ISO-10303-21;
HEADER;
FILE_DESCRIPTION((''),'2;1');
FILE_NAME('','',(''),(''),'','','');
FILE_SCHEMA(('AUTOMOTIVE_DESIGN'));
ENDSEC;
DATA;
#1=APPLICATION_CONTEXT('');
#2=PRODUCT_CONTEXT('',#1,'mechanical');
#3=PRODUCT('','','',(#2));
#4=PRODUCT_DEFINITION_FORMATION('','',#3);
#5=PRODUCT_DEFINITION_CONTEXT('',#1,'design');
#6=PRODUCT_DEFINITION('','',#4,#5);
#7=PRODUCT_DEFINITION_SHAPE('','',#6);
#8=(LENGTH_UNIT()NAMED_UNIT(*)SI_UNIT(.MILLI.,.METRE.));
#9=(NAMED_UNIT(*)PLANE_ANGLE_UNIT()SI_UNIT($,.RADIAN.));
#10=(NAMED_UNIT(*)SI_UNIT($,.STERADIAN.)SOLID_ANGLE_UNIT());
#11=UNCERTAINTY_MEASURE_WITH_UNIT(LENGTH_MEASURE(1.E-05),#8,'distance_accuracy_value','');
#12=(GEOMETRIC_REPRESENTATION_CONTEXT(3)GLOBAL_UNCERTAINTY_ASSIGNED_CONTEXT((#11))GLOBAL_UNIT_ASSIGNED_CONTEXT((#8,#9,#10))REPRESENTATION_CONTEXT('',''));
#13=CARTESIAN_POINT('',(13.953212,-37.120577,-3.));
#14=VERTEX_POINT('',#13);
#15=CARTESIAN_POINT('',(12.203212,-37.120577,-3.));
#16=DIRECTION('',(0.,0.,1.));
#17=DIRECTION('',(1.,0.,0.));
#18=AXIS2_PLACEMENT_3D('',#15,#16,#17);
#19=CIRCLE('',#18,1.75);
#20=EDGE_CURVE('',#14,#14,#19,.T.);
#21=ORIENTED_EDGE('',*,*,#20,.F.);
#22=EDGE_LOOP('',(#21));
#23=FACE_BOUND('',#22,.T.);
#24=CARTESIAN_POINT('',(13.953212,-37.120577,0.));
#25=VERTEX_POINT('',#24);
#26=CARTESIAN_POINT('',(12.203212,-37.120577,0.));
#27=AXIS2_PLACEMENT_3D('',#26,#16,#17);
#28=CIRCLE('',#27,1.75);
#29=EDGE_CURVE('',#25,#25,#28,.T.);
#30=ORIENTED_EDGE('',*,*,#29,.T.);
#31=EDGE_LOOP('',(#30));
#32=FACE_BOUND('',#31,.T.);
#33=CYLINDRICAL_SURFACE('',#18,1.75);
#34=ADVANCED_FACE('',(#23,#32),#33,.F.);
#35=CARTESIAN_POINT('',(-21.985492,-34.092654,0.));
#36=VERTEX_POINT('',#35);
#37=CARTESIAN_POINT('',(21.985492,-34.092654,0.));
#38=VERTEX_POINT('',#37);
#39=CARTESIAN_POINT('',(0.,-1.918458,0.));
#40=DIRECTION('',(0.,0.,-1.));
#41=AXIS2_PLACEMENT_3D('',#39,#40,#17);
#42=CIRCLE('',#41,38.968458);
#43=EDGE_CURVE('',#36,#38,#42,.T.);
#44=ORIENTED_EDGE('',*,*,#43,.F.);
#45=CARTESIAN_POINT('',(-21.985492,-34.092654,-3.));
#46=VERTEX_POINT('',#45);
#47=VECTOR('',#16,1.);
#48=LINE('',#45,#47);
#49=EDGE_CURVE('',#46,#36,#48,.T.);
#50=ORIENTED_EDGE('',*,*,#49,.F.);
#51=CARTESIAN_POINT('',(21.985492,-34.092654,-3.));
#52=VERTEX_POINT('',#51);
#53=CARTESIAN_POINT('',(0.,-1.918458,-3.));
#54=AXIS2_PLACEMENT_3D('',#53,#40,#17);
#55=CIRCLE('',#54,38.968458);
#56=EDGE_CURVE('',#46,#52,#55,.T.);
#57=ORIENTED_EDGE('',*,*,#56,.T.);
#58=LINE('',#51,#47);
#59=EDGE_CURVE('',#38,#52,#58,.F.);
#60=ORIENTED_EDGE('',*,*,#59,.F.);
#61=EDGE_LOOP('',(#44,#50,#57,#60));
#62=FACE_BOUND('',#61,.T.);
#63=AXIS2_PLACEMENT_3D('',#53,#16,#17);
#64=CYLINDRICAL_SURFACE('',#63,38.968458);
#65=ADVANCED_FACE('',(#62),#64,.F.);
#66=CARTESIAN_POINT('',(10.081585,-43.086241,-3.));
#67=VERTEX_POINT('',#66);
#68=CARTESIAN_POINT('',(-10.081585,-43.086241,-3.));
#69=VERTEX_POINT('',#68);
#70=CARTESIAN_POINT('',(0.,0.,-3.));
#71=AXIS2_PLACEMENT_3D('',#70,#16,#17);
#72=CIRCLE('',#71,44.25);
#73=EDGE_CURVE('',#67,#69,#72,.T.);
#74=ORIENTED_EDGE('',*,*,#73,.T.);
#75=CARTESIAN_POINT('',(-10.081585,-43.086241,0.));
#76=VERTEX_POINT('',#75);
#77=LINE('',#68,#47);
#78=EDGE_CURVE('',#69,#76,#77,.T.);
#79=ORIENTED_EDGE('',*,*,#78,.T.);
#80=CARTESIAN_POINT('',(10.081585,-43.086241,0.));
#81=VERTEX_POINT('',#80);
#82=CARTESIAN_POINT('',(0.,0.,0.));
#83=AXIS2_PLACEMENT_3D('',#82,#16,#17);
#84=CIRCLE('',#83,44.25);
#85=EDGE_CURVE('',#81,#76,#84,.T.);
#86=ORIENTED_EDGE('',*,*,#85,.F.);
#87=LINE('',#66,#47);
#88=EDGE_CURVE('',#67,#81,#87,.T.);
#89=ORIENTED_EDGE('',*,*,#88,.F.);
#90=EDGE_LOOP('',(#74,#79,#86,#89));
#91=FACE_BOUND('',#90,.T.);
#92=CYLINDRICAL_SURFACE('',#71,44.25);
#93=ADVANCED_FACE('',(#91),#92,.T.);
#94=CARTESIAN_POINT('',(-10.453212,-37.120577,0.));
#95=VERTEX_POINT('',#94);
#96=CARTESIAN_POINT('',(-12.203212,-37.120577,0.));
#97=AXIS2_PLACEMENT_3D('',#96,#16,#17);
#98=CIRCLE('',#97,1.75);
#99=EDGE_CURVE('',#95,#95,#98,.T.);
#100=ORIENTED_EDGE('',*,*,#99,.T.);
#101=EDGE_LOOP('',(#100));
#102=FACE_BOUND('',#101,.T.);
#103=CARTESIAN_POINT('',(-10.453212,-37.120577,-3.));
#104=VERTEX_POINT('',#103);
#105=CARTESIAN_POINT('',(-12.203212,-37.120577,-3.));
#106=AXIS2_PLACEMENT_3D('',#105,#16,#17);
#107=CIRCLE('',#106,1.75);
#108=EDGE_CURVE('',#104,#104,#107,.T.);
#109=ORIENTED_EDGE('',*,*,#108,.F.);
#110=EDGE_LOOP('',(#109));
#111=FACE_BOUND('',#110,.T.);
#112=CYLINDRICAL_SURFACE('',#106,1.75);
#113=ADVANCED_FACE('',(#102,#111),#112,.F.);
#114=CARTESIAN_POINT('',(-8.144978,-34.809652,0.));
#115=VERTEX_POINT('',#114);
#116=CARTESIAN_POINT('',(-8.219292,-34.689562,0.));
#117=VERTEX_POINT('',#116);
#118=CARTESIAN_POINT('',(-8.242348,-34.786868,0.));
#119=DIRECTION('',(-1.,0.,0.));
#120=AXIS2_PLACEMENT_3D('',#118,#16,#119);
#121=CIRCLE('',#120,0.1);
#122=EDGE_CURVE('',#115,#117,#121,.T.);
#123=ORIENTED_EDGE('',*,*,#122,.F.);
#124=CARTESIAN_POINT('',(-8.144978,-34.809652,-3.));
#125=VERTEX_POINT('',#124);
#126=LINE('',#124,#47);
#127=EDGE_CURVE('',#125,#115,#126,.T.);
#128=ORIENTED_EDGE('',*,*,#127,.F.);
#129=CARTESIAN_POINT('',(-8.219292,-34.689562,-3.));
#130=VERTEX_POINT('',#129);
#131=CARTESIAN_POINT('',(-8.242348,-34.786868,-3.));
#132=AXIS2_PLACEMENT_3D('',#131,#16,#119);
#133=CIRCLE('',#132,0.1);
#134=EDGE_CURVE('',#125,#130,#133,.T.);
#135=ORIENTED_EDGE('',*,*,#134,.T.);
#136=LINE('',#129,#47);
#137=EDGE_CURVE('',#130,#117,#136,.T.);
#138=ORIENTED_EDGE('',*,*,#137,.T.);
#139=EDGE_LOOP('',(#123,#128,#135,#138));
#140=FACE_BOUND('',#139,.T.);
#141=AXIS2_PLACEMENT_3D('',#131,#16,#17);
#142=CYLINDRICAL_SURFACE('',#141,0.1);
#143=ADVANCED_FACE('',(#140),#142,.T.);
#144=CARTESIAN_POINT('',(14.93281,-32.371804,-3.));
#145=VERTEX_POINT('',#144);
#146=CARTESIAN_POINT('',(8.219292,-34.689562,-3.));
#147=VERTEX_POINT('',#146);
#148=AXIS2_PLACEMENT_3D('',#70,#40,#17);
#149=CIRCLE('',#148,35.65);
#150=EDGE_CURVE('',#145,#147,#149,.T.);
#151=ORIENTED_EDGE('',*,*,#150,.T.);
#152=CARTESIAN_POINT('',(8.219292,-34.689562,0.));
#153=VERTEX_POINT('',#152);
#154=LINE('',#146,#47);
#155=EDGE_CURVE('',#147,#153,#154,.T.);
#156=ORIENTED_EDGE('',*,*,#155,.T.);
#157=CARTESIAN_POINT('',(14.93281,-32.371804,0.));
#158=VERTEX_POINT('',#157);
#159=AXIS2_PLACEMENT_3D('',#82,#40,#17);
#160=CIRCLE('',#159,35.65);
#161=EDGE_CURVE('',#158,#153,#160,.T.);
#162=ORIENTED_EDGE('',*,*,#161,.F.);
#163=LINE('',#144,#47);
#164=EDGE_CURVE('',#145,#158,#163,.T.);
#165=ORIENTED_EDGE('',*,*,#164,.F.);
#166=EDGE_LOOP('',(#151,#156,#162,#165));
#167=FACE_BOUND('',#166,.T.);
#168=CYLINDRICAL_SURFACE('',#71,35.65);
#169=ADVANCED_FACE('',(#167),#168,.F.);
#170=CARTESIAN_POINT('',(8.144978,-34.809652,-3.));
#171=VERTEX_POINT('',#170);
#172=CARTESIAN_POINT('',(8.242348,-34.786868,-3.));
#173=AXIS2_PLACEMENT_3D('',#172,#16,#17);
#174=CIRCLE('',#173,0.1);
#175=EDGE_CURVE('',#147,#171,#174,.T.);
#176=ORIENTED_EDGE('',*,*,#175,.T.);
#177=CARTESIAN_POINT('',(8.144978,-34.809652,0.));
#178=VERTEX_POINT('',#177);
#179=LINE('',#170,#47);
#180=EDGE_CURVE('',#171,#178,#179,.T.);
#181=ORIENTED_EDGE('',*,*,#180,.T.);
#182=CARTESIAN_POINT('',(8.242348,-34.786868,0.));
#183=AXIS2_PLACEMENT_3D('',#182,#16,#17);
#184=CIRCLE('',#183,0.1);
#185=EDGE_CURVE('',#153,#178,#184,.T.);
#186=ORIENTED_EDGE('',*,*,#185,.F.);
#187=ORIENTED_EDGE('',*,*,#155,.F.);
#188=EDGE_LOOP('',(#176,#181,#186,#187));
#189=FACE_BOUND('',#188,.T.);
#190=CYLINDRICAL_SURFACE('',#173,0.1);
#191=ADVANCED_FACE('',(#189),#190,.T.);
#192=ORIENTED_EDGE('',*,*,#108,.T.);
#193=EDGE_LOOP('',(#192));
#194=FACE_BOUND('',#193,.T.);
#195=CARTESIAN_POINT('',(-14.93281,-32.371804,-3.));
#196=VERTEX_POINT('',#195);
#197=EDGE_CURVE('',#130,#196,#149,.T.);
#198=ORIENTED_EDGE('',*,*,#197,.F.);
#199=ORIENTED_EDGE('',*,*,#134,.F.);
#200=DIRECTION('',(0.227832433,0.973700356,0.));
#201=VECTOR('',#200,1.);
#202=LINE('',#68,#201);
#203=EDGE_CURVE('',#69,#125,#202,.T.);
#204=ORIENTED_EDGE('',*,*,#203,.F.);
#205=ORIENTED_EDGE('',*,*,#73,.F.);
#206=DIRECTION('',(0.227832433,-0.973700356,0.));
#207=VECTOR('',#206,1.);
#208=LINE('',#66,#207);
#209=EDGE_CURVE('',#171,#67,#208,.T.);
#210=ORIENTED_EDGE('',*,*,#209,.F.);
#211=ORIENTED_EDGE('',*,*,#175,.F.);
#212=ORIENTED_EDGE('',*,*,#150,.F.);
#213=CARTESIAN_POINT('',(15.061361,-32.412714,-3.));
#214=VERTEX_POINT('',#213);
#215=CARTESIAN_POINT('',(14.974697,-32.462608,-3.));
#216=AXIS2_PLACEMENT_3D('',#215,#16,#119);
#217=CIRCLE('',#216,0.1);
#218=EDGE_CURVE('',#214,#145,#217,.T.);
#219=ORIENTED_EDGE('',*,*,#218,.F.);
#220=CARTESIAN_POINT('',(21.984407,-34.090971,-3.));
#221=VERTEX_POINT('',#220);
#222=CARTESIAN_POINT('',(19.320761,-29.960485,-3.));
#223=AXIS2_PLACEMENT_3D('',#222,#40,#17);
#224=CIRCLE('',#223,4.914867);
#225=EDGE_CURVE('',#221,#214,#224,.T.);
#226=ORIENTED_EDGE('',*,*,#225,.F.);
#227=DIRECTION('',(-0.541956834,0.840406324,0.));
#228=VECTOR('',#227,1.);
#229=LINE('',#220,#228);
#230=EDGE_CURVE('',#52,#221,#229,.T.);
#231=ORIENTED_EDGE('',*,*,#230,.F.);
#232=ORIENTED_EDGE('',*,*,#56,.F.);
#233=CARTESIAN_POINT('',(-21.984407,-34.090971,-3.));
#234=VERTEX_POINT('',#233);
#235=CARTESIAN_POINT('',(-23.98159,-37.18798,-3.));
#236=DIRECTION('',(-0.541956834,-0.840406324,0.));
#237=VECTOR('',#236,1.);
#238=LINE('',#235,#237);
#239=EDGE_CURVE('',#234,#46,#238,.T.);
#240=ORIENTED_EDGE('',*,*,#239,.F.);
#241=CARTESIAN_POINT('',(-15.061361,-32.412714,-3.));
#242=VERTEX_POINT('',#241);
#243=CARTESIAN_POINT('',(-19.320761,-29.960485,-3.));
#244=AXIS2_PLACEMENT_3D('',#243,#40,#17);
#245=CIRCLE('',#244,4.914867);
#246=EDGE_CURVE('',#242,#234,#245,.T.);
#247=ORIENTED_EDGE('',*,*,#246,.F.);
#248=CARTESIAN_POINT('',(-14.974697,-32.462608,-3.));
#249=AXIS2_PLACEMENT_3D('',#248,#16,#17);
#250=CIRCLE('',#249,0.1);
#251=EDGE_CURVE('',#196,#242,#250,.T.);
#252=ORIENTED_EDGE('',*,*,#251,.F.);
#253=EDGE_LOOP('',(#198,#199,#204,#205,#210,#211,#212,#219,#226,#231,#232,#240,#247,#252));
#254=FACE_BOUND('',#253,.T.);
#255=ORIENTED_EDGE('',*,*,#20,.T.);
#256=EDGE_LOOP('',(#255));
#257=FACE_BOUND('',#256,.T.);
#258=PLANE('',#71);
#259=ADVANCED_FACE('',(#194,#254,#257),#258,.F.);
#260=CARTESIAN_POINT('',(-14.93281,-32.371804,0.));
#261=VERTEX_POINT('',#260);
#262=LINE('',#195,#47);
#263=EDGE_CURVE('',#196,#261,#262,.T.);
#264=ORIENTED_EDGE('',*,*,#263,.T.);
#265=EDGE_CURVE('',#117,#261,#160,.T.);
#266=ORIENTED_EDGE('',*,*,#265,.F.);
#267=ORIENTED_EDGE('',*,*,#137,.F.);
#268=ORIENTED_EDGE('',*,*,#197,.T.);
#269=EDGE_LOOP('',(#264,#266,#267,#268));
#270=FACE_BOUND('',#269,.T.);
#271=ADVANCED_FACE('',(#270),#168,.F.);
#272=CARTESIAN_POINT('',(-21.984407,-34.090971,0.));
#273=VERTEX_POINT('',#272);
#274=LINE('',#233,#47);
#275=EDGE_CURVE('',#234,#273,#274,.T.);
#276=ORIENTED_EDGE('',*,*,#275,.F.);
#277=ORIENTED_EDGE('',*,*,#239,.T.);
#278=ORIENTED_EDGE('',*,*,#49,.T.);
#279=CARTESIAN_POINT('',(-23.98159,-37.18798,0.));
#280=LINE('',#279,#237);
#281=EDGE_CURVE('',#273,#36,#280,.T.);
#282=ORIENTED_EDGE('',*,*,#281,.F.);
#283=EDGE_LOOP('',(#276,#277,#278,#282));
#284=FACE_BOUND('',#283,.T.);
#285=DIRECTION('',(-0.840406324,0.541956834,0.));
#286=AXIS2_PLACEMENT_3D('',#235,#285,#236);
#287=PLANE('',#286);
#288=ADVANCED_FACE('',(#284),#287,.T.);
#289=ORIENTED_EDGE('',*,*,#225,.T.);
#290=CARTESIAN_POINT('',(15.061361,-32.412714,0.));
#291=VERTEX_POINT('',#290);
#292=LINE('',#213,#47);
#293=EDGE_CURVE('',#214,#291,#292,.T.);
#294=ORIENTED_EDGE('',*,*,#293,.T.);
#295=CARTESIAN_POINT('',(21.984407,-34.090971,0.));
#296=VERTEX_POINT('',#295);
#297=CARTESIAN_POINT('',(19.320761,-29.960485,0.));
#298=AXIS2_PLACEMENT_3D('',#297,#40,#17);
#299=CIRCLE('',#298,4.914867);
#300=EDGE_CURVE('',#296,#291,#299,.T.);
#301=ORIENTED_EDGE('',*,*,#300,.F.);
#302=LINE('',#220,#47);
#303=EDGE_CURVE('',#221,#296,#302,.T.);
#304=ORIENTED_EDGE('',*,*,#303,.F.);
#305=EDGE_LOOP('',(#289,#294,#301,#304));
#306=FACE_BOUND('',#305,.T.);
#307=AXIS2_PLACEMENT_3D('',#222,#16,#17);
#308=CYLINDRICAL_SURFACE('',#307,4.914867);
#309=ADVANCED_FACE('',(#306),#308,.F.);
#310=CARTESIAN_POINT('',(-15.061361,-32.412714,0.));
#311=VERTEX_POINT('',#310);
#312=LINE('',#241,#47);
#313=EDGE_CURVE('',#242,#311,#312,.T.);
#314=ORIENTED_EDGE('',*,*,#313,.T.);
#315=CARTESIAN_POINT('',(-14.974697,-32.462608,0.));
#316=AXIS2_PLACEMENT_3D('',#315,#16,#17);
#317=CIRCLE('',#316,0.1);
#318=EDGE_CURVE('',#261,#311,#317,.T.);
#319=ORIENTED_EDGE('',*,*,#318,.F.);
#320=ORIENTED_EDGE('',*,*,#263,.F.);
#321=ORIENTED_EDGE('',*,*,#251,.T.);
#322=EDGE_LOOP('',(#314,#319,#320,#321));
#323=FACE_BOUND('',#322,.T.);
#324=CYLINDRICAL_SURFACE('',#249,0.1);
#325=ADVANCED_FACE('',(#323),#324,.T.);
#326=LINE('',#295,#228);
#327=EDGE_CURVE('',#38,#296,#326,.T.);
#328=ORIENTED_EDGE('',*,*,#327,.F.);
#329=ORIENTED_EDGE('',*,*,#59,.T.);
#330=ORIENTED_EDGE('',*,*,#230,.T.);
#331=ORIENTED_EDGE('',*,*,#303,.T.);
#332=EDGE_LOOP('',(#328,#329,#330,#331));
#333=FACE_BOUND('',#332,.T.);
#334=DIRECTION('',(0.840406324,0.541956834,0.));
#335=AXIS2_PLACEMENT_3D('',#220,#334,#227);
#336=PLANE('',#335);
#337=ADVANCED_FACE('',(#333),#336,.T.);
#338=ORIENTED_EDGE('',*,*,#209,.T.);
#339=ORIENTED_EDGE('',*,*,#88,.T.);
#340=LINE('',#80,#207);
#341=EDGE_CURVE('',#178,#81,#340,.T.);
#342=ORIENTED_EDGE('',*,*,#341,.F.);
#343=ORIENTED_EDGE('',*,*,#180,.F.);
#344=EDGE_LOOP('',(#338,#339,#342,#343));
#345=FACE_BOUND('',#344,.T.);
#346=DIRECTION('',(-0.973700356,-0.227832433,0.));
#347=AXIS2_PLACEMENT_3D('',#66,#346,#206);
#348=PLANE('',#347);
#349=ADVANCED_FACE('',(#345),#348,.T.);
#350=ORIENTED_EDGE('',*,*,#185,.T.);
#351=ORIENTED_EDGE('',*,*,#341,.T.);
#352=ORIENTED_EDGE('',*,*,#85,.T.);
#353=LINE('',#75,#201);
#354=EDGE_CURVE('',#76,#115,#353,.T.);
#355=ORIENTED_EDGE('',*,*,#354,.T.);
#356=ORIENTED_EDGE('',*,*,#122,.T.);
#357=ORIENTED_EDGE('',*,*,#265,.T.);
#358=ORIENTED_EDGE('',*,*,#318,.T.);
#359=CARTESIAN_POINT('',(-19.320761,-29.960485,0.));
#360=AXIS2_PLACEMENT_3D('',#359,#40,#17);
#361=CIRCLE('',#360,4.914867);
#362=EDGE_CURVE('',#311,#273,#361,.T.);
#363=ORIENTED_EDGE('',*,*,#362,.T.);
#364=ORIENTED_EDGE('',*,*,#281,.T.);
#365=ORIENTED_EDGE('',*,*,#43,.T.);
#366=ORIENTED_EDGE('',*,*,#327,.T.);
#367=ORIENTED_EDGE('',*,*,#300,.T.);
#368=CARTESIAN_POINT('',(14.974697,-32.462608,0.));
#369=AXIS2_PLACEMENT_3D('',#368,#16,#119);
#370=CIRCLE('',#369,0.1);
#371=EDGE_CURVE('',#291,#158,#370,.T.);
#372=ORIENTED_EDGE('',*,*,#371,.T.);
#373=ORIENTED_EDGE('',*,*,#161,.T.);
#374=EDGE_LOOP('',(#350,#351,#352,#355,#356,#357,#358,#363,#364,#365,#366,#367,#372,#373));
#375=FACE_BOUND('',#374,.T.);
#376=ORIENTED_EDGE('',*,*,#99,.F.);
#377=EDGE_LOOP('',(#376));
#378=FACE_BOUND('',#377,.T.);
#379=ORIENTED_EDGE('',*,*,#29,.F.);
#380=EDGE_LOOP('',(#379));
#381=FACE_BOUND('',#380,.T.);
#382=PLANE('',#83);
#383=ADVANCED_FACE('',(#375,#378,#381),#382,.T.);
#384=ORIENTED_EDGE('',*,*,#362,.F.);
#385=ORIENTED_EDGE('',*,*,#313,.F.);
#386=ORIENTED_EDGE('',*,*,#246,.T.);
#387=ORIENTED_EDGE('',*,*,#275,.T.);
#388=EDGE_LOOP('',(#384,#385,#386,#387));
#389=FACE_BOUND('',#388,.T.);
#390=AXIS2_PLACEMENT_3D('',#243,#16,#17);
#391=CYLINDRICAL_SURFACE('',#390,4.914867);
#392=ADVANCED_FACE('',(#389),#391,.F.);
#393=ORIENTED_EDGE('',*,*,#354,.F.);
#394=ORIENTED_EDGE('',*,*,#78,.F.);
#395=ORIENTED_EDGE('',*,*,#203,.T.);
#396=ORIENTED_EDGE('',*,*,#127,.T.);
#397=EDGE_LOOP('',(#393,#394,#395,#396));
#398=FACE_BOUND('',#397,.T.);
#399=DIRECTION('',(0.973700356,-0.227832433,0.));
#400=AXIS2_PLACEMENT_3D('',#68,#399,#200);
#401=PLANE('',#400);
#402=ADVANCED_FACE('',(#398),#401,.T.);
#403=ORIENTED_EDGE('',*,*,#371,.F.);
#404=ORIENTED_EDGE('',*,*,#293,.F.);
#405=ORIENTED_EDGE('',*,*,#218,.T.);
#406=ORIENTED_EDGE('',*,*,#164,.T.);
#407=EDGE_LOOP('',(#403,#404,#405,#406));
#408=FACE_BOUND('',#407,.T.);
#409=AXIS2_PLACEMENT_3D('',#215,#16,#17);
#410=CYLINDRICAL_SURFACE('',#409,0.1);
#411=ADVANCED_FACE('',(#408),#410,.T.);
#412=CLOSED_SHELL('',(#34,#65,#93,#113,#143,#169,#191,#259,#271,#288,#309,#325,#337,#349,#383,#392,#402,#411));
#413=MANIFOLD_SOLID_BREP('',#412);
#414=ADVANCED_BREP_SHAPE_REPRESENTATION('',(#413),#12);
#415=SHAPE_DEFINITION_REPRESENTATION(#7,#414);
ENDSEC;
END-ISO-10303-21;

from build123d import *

# Parameters (mm, degrees)
BODYSKE_R    = 1.75
BODY_DEPTH   = 3
MODLUGSKE_R  = 1.75
MODLUG_DEPTH = 3


with BuildPart() as part:
    # BodySke → Body (new body)
    with BuildSketch(Plane.XY):
        with BuildLine():
            Line((10.081585159, -43.086240735), (8.868287827, -37.900903301))
            ThreePointArc((8.868287827, -37.900903301), (10.703270294, -34.041486241), (14.873364331, -34.975604235))
            ThreePointArc((14.873364331, -34.975604235), (16.90031341, -36.194693378), (19.234026397, -35.809356377))
            ThreePointArc((19.234026397, -35.809356377), (0, 37.05), (-19.234026397, -35.809356377))
            ThreePointArc((-19.234026397, -35.809356377), (-16.90031341, -36.194693378), (-14.873364331, -34.975604235))
            ThreePointArc((-14.873364331, -34.975604235), (-10.703270294, -34.041486241), (-8.868287827, -37.900903301))
            Line((-8.868287827, -37.900903301), (-10.081585159, -43.086240735))
            ThreePointArc((-10.081585159, -43.086240735), (0, 44.25), (10.081585159, -43.086240735))
        make_face()
        with Locations((12.203211545, -37.120577218)):
            Circle(BODYSKE_R, mode=Mode.SUBTRACT)
        with Locations((-12.203211545, -37.120577218)):
            Circle(BODYSKE_R, mode=Mode.SUBTRACT)
    extrude(amount=-BODY_DEPTH)

    # ModLugSke → ModLug (add, through all)
    # profile 1 of 2: a face of its own
    with BuildSketch(Plane.XY):
        with BuildLine():
            Line((10.081585159, -43.086240735), (8.144977614, -34.80965153))
            ThreePointArc((8.144977614, -34.80965153), (8.157312771, -34.734246339), (8.219292131, -34.689562362))
            ThreePointArc((8.219292131, -34.689562362), (11.633914265, -33.698286884), (14.932810143, -32.3718038))
            ThreePointArc((14.932810143, -32.3718038), (15.005023057, -32.367317402), (15.061361001, -32.412714194))
            ThreePointArc((15.061361001, -32.412714194), (18.162856033, -34.737008364), (21.984406764, -34.09097057))
            Line((21.984406764, -34.09097057), (23.981589909, -37.187979852))
            ThreePointArc((23.981589909, -37.187979852), (17.285032377, -40.734385422), (10.081585159, -43.086240735))
        make_face()
        with Locations((12.203211545, -37.120577218)):
            Circle(MODLUGSKE_R, mode=Mode.SUBTRACT)
    # profile 2 of 2: a face of its own
    with BuildSketch(Plane.XY):
        with BuildLine():
            Line((-10.081585159, -43.086240735), (-8.144977614, -34.80965153))
            ThreePointArc((-8.144977614, -34.80965153), (-8.157312771, -34.734246339), (-8.219292131, -34.689562362))
            ThreePointArc((-8.219292131, -34.689562362), (-11.633914265, -33.698286884), (-14.932810143, -32.3718038))
            ThreePointArc((-14.932810143, -32.3718038), (-15.005023057, -32.367317402), (-15.061361001, -32.412714194))
            ThreePointArc((-15.061361001, -32.412714194), (-18.162856033, -34.737008364), (-21.984406764, -34.09097057))
            Line((-21.984406764, -34.09097057), (-23.981589909, -37.187979852))
            ThreePointArc((-23.981589909, -37.187979852), (-17.285032377, -40.734385422), (-10.081585159, -43.086240735))
        make_face()
        with Locations((-12.203211545, -37.120577218)):
            Circle(MODLUGSKE_R, mode=Mode.SUBTRACT)
    extrude(amount=-MODLUG_DEPTH)


solid = part.part
